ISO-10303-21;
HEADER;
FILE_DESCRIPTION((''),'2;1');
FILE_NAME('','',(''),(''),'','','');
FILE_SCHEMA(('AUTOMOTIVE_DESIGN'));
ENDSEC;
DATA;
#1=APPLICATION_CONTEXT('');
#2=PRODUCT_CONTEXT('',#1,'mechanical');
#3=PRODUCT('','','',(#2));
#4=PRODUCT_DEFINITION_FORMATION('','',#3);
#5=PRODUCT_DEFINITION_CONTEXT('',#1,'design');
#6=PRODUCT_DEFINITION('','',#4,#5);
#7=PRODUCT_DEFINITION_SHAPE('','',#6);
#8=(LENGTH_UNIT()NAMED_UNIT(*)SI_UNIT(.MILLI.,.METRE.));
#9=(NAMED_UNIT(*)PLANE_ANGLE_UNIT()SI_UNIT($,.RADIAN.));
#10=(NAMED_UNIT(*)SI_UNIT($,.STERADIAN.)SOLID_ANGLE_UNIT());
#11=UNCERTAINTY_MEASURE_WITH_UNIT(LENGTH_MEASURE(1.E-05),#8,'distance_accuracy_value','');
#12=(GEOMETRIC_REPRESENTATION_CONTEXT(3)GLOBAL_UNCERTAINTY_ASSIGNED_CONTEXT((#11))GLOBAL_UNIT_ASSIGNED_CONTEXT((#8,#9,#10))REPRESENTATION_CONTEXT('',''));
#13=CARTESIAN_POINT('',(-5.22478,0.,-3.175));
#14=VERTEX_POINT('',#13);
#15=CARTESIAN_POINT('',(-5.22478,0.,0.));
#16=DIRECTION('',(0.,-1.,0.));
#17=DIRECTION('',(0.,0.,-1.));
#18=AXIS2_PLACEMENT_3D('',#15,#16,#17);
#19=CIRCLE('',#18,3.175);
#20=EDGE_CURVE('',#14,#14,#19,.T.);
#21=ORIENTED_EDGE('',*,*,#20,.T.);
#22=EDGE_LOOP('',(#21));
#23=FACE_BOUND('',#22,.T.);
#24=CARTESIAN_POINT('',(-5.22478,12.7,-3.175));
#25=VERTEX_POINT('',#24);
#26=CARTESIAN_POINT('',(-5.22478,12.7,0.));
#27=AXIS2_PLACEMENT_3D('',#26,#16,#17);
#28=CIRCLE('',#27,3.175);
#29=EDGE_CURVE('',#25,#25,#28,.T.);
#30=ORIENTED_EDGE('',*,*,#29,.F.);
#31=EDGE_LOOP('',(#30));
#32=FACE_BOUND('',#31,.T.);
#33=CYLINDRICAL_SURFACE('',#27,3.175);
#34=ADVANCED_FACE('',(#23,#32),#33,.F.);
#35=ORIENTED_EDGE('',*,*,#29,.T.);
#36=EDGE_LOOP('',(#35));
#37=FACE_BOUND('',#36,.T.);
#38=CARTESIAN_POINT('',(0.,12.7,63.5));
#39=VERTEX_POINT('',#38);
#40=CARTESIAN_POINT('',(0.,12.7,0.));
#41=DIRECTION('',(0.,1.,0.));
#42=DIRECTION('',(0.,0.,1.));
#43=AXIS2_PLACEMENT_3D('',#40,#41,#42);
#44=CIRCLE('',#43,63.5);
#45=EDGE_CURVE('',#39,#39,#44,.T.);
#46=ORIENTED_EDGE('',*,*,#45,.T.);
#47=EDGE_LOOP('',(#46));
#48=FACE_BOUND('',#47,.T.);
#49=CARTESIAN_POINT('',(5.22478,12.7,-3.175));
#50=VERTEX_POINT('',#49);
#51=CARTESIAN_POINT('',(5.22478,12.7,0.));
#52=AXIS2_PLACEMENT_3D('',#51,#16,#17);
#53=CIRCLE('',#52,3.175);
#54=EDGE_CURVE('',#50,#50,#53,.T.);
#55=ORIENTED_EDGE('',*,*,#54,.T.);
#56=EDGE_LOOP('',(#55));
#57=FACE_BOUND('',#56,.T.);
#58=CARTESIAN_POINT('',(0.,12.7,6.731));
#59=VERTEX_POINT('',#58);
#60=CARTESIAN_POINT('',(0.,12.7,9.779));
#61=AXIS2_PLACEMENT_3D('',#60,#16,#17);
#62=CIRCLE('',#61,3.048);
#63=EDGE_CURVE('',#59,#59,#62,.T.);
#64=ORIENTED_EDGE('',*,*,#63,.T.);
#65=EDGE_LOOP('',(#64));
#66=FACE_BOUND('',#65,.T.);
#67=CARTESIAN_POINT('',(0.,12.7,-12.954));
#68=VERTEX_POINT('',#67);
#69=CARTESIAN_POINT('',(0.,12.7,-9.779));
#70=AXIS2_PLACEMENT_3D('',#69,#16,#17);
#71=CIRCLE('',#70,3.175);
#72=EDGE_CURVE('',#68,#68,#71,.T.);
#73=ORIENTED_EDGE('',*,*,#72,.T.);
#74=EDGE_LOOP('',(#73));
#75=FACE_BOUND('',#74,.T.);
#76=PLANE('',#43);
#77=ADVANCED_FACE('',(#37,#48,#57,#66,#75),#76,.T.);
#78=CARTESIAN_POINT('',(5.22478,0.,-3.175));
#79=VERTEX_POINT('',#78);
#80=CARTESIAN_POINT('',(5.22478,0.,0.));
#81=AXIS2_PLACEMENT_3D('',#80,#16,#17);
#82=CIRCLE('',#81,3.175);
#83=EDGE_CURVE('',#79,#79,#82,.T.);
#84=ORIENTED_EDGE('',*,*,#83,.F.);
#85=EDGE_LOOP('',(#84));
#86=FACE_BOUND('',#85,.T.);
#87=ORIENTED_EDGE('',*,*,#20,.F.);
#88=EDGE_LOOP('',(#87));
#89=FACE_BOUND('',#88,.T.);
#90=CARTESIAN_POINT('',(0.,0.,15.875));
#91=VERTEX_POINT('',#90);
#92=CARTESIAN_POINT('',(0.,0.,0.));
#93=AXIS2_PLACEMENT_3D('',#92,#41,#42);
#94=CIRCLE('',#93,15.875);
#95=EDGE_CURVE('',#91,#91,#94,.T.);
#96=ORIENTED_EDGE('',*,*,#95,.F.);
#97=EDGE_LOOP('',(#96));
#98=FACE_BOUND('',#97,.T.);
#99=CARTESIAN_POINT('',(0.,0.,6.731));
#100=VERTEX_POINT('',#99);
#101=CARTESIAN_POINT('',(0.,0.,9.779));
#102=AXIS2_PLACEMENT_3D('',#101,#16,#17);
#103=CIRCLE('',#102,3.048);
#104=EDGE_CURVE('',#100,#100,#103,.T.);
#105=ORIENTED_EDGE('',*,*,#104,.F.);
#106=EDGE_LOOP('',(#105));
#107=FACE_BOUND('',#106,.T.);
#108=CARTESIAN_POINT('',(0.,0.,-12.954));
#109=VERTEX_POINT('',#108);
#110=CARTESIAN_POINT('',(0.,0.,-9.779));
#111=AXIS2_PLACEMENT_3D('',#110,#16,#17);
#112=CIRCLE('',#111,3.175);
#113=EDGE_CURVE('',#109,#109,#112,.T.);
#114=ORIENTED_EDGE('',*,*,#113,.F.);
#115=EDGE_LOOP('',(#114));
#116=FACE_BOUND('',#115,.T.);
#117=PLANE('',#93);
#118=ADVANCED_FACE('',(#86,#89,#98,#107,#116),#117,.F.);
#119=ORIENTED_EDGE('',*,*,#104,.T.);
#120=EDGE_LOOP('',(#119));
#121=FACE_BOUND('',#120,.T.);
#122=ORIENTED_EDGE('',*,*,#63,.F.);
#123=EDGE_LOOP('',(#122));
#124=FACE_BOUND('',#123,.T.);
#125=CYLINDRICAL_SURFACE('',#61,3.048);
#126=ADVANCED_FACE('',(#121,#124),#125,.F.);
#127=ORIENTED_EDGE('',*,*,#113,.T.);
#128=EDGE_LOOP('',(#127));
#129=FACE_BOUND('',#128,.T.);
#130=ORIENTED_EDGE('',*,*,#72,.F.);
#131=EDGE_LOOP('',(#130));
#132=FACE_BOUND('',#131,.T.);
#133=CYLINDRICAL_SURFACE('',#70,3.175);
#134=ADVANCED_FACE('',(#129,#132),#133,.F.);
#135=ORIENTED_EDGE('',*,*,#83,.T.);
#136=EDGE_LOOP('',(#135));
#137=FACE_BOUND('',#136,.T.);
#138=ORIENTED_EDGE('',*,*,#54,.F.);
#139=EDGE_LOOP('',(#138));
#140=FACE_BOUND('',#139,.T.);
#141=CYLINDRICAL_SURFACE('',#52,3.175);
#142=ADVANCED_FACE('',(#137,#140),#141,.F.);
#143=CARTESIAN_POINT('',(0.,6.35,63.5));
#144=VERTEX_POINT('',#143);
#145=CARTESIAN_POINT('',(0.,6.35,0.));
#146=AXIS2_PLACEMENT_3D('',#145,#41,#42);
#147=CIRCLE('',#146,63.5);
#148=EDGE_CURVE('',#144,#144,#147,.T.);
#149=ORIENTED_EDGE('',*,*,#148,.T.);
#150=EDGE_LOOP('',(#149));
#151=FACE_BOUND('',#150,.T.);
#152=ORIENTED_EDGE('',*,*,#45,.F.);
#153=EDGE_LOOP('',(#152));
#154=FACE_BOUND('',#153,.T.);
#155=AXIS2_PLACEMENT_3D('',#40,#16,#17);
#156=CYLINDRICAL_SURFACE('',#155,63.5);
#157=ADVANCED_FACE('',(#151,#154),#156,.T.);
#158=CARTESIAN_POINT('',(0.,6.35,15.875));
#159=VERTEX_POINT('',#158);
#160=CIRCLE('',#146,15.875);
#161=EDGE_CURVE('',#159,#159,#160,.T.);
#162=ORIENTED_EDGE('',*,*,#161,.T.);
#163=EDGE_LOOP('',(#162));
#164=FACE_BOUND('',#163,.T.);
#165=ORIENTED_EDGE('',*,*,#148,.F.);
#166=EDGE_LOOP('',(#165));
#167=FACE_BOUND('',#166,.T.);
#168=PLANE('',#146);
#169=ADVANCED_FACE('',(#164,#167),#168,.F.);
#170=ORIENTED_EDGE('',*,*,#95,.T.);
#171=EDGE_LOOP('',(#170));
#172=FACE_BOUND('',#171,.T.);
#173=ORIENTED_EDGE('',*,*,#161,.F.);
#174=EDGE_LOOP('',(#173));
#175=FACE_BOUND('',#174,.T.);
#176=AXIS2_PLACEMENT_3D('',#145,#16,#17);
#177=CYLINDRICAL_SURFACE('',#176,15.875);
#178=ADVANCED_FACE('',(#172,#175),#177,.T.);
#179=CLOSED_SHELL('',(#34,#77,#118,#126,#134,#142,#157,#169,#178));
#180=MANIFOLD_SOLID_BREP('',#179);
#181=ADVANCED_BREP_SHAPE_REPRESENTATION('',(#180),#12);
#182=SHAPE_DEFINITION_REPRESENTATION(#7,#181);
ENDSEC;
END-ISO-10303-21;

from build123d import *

# Parameters (mm, degrees)
SKETCH1_R           = 15.875
BOSS_EXTRUDE1_DEPTH = 6.35
SKETCH2_R           = 63.5
BOSS_EXTRUDE2_DEPTH = 6.35
SKETCH9_R           = 3.048
CUT_EXTRUDE1_DEPTH  = 13.7
SKETCH10_R          = 3.175
CUT_EXTRUDE2_DEPTH  = 12.7
SKETCH11_R          = 3.175
CUT_EXTRUDE3_DEPTH  = 12.7
SKETCH12_R          = 3.175
CUT_EXTRUDE4_DEPTH  = 12.7


with BuildPart() as part:
    # Sketch1 → Boss-Extrude1 (new body)
    with BuildSketch(Plane(origin=(0, 0, 0), x_dir=(1, 0, 0), z_dir=(0, 1, 0))):
        Circle(SKETCH1_R)
    extrude(amount=BOSS_EXTRUDE1_DEPTH)

    # Sketch2 → Boss-Extrude2 (add)
    with BuildSketch(Plane(origin=(0, 6.35, 0), x_dir=(1, 0, 0), z_dir=(0, 1, 0))):
        Circle(SKETCH2_R)
    extrude(amount=BOSS_EXTRUDE2_DEPTH)

    # Sketch9 → Cut-Extrude1 (cut, through all)
    with BuildSketch(Plane.XZ):
        with Locations((0, 9.779)):
            Circle(SKETCH9_R)
    extrude(amount=-CUT_EXTRUDE1_DEPTH, mode=Mode.SUBTRACT)

    # Sketch10 → Cut-Extrude2 (cut)
    with BuildSketch(Plane.XZ):
        with Locations((0, -9.779)):
            Circle(SKETCH10_R)
    extrude(amount=-CUT_EXTRUDE2_DEPTH, mode=Mode.SUBTRACT)

    # Sketch11 → Cut-Extrude3 (cut)
    with BuildSketch(Plane.XZ):
        with Locations((-5.22478, 0)):
            Circle(SKETCH11_R)
    extrude(amount=-CUT_EXTRUDE3_DEPTH, mode=Mode.SUBTRACT)

    # Sketch12 → Cut-Extrude4 (cut)
    with BuildSketch(Plane.XZ):
        with Locations((5.22478, 0)):
            Circle(SKETCH12_R)
    extrude(amount=-CUT_EXTRUDE4_DEPTH, mode=Mode.SUBTRACT)


solid = part.part
